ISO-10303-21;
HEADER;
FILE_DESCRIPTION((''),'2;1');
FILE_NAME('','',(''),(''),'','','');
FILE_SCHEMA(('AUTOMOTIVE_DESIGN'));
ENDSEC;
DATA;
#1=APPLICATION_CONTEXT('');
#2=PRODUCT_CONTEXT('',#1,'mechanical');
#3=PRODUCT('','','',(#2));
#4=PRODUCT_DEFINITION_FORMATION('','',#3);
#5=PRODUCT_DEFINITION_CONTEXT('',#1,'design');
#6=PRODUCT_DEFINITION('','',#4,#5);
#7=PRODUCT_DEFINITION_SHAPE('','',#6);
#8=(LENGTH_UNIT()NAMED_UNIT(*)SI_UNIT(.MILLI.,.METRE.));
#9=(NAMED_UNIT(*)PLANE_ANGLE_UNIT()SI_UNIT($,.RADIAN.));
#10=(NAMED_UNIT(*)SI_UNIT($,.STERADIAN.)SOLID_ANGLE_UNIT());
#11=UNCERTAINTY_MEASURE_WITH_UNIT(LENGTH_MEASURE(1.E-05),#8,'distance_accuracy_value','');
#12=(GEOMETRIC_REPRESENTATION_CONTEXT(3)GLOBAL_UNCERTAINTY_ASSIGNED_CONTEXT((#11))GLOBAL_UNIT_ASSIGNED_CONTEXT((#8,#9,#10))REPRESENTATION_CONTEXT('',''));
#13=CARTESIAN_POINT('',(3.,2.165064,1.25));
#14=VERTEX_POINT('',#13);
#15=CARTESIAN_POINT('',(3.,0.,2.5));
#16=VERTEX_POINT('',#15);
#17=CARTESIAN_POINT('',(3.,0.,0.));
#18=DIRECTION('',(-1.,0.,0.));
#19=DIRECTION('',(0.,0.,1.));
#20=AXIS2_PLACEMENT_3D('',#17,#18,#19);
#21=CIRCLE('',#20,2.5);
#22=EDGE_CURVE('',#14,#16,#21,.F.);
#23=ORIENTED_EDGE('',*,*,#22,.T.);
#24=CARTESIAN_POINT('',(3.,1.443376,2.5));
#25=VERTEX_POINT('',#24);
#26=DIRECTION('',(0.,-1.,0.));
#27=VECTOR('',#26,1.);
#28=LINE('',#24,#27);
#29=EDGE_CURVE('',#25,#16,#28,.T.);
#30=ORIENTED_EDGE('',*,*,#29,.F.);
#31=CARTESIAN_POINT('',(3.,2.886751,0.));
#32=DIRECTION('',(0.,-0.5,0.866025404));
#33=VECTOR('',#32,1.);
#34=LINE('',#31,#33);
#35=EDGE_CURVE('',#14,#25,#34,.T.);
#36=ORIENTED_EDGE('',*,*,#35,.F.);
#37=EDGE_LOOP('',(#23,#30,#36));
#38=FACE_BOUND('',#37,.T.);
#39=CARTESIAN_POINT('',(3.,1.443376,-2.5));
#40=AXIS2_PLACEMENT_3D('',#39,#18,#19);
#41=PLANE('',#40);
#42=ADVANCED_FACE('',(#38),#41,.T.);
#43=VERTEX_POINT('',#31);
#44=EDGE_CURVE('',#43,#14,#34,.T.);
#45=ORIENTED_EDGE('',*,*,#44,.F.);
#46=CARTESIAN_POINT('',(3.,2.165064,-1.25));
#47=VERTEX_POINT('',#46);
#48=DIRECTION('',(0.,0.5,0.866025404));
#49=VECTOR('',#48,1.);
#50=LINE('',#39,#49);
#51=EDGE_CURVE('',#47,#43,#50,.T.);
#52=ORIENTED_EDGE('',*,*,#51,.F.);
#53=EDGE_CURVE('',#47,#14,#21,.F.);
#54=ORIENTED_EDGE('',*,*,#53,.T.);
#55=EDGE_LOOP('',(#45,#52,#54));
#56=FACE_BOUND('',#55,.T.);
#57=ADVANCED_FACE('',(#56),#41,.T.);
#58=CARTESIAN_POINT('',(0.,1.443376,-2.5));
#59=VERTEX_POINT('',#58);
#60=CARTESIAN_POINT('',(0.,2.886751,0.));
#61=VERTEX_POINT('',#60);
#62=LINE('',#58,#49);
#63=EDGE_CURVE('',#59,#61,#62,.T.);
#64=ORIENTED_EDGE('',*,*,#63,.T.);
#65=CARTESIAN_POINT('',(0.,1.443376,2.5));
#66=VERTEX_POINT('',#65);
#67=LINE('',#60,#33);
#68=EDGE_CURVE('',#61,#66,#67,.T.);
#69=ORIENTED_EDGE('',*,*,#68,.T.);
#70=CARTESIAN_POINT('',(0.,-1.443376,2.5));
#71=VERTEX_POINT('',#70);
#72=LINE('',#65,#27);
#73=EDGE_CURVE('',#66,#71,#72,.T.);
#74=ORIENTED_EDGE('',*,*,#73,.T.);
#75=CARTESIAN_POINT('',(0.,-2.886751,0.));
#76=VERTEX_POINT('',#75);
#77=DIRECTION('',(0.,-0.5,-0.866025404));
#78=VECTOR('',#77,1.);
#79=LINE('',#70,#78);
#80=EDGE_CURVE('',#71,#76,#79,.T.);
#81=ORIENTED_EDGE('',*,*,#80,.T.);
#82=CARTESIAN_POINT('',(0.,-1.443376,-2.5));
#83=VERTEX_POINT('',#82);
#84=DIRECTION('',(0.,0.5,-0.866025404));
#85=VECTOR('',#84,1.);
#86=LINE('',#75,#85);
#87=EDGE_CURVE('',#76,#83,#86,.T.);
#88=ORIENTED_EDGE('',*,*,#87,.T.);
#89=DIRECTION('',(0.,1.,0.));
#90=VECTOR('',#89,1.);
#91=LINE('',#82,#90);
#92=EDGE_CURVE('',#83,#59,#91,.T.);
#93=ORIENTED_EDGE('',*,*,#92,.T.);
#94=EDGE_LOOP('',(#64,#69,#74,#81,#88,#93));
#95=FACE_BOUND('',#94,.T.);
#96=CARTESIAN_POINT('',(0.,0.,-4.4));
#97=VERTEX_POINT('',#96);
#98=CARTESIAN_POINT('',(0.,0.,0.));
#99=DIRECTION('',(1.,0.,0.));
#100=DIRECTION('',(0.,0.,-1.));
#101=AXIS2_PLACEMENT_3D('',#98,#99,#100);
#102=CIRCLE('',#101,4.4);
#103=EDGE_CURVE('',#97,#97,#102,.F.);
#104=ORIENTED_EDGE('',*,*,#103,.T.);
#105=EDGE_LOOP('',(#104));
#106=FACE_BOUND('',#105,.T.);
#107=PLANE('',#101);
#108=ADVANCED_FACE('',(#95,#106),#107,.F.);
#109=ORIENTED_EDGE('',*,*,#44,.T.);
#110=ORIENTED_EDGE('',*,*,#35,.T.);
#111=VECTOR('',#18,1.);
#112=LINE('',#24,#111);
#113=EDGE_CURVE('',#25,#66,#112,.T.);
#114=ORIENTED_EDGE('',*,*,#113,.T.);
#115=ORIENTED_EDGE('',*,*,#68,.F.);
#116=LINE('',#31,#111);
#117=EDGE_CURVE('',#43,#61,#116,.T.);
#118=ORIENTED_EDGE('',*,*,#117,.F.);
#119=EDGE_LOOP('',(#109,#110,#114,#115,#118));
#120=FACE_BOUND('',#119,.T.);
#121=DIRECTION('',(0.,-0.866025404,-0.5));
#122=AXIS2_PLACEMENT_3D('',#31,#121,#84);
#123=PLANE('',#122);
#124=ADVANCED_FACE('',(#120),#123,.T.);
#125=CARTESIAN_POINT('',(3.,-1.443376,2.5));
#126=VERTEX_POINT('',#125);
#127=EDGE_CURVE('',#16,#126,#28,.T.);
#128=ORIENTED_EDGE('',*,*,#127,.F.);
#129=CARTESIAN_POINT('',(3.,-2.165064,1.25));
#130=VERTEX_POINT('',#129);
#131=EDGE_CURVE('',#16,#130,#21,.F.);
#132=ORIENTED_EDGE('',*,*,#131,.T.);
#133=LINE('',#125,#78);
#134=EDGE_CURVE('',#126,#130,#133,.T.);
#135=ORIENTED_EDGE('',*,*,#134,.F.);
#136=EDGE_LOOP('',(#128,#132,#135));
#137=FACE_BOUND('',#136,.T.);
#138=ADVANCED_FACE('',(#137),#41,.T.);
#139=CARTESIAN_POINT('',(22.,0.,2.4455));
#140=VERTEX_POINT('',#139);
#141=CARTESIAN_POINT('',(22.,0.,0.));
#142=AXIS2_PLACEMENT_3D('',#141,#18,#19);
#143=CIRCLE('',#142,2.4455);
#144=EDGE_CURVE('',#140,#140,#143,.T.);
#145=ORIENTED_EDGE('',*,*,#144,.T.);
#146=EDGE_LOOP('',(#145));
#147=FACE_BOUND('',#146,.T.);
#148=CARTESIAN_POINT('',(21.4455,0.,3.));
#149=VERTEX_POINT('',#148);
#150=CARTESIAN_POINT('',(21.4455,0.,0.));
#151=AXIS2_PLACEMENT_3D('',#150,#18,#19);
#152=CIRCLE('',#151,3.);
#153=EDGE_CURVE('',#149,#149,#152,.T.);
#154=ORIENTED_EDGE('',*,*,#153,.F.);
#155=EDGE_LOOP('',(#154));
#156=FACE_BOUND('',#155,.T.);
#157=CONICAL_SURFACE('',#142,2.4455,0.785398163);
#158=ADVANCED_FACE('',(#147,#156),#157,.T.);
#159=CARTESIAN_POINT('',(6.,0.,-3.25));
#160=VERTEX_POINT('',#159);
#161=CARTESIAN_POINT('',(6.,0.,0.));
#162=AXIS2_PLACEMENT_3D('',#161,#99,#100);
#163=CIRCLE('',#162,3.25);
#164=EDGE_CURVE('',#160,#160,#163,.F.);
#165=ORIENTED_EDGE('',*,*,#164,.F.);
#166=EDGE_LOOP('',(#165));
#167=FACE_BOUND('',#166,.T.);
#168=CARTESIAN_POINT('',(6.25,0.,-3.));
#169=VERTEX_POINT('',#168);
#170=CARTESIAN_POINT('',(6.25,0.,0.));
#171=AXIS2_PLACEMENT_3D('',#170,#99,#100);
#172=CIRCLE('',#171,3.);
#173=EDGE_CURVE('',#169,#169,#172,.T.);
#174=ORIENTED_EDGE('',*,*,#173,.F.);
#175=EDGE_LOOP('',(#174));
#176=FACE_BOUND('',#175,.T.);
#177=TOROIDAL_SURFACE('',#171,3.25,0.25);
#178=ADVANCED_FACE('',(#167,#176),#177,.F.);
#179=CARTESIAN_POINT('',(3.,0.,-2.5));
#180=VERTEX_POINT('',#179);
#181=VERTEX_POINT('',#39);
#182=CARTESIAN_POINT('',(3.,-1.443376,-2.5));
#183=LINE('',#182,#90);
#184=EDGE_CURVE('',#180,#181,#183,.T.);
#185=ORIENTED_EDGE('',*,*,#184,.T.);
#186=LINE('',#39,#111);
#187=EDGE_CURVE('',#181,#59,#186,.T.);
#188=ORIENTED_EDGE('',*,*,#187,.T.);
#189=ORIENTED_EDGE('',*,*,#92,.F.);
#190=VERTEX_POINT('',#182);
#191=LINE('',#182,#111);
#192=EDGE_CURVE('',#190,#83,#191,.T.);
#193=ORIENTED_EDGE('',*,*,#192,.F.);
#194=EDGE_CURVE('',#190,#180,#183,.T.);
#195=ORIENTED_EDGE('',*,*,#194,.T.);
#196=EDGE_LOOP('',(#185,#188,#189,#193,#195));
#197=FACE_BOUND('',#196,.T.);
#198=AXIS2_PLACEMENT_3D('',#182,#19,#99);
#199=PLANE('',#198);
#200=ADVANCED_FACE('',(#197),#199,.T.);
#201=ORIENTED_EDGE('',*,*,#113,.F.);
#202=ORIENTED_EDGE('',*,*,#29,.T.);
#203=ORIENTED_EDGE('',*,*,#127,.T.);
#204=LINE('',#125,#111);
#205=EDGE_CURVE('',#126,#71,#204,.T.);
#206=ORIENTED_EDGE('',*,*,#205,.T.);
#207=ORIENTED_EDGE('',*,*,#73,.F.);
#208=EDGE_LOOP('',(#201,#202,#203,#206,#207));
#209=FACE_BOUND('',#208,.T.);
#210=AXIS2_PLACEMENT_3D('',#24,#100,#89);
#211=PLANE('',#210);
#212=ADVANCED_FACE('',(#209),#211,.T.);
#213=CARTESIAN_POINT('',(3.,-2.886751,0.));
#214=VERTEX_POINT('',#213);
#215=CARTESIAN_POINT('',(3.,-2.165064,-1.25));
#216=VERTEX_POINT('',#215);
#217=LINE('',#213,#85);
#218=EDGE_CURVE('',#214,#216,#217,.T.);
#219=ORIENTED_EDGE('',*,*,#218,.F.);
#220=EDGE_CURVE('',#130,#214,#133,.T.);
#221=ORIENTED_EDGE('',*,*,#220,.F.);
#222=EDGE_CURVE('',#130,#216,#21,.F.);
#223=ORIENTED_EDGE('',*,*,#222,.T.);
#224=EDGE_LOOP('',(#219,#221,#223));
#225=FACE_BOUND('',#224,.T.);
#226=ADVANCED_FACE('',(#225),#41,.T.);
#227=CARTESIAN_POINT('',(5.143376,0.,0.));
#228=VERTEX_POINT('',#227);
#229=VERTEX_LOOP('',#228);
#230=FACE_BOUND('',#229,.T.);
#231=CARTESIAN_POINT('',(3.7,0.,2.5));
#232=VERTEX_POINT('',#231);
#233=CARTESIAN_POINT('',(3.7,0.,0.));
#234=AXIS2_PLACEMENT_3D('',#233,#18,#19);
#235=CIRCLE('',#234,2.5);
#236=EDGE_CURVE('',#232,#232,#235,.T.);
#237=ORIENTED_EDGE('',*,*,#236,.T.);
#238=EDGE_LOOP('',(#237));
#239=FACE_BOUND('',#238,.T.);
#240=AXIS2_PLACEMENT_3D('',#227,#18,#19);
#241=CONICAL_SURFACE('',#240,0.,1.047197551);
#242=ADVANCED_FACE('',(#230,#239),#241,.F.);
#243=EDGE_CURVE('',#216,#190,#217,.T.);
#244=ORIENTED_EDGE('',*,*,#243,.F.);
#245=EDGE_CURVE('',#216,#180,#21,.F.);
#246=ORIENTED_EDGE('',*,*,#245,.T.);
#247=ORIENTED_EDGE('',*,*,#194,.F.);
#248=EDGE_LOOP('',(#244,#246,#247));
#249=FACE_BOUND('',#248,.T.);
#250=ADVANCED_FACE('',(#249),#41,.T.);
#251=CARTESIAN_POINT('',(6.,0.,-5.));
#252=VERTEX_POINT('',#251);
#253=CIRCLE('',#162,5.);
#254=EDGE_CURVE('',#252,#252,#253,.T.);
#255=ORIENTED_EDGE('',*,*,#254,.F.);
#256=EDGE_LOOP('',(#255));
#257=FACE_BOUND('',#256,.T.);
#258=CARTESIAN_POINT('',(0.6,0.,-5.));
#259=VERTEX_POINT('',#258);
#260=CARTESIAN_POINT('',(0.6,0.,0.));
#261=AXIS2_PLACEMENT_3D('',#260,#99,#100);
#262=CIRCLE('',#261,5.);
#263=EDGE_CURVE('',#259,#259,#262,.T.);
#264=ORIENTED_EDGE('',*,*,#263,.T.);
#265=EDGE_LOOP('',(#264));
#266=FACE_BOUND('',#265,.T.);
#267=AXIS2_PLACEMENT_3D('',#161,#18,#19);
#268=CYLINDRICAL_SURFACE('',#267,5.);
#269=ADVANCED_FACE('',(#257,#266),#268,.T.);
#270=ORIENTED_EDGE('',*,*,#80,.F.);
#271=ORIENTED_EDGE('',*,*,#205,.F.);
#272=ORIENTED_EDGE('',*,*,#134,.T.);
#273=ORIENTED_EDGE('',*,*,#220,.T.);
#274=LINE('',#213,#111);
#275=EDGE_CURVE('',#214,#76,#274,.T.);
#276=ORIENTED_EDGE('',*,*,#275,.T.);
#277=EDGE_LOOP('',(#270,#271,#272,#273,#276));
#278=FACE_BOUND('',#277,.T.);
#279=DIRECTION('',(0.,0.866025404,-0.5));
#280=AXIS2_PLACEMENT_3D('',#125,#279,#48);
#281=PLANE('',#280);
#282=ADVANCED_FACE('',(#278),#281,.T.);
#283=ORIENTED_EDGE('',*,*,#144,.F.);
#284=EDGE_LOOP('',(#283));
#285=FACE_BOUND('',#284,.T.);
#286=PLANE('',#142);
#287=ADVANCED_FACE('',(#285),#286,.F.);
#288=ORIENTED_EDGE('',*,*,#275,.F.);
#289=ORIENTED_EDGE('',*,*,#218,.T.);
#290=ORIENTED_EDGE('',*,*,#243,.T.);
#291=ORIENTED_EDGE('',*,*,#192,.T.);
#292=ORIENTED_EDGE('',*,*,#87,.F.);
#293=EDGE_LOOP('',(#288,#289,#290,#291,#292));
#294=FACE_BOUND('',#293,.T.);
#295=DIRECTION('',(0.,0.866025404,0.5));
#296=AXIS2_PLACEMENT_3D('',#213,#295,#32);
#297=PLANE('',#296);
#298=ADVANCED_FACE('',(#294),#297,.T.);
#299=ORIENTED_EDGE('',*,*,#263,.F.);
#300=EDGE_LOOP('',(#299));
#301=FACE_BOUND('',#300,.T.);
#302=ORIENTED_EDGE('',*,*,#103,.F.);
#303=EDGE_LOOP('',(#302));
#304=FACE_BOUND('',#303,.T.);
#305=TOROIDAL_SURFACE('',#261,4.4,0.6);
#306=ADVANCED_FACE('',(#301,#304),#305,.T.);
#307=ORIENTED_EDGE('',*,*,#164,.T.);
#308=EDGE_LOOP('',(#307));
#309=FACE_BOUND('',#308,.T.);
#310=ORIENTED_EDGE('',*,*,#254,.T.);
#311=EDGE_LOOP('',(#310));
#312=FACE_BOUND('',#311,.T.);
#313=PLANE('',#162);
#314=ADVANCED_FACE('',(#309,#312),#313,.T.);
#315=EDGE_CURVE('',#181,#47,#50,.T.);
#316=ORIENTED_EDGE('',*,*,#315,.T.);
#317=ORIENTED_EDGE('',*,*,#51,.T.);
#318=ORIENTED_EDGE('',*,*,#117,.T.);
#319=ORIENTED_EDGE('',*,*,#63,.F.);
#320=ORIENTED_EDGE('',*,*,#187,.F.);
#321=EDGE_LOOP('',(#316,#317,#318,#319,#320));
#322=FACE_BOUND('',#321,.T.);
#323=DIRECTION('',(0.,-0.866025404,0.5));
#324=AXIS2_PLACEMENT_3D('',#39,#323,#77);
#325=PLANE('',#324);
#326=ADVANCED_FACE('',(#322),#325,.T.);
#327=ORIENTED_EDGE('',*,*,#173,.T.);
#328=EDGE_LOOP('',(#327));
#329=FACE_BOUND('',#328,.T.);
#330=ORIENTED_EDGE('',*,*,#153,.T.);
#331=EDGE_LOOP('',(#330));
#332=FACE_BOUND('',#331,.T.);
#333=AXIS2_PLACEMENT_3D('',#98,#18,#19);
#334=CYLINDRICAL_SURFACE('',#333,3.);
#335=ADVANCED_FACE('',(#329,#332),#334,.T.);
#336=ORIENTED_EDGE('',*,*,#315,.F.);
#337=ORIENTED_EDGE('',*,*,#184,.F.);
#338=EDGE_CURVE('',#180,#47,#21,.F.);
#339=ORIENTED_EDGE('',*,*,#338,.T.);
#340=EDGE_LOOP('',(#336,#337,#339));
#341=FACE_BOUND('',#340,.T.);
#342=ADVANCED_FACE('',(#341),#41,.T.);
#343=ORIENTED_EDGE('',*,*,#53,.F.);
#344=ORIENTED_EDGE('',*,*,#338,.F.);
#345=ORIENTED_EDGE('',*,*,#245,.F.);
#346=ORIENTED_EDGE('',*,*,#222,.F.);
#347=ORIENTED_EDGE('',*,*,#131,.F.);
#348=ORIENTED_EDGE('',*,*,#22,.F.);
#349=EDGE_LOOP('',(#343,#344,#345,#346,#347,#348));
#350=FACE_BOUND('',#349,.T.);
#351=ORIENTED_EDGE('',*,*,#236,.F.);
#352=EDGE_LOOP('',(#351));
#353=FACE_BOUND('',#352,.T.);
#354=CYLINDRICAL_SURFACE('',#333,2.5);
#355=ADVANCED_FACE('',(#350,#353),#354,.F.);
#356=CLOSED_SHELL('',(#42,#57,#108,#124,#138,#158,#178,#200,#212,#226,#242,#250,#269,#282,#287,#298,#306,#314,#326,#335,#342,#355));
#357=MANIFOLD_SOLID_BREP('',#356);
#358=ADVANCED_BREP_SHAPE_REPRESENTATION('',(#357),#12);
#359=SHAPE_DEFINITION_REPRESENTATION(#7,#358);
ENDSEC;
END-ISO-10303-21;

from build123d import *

# Parameters (mm, degrees)
BASEHEADSKE_R   = 5
BASEHEAD_DEPTH  = 6
CUTSOCKET_DEPTH = 3
FILLET1_R       = 0.25
FILLET2_R       = 0.6


with BuildPart() as part:
    # BaseHeadSke → BaseHead (new body)
    with BuildSketch(Plane(origin=(0, 0, 0), x_dir=(0, 0, -1), z_dir=(1, 0, 0))):
        Circle(BASEHEADSKE_R)
    extrude(amount=BASEHEAD_DEPTH)

    # BodySke → BaseBody (revolve)
    with BuildSketch(Plane.XY, mode=Mode.PRIVATE) as basebody_sk:
        Polygon((0, 0), (22, 0), (22, 2.4455), (21.4455, 3), (0, 3), align=None)
    revolve(basebody_sk.sketch.rotate(Axis((0, 0, 0), (1, 0, 0)), 90), axis=Axis((0, 0, 0), (1, 0, 0)))

    # CutSocketSke → CutSocket (cut)
    with BuildSketch(Plane(origin=(0, 0, 0), x_dir=(0, 0, -1), z_dir=(1, 0, 0))):
        Polygon((0, 2.886751346), (-2.5, 1.443375673), (-2.5, -1.443375673), (0, -2.886751346), (2.5, -1.443375673), (2.5, 1.443375673), align=None)
    extrude(amount=CUTSOCKET_DEPTH, mode=Mode.SUBTRACT)

    # CutHoleSke → CutHole (revolve, cut)
    with BuildSketch(Plane.XY, mode=Mode.PRIVATE) as cuthole_sk:
        Polygon((0, 2.5), (3.7, 2.5), (5.143375673, 0), (0, 0), align=None)
    revolve(cuthole_sk.sketch.rotate(Axis((0, 0, 0), (1, 0, 0)), 90), axis=Axis((0, 0, 0), (1, 0, 0)), mode=Mode.SUBTRACT)

    # Fillet1
    fillet1_edges = [part.edges().sort_by_distance(p)[0] for p in [
        (6, 0, -3),
    ]]
    fillet(fillet1_edges, radius=FILLET1_R)

    # Fillet2
    fillet2_edges = [part.edges().sort_by_distance(p)[0] for p in [
        (0, 0, 5),
    ]]
    fillet(fillet2_edges, radius=FILLET2_R)


solid = part.part
